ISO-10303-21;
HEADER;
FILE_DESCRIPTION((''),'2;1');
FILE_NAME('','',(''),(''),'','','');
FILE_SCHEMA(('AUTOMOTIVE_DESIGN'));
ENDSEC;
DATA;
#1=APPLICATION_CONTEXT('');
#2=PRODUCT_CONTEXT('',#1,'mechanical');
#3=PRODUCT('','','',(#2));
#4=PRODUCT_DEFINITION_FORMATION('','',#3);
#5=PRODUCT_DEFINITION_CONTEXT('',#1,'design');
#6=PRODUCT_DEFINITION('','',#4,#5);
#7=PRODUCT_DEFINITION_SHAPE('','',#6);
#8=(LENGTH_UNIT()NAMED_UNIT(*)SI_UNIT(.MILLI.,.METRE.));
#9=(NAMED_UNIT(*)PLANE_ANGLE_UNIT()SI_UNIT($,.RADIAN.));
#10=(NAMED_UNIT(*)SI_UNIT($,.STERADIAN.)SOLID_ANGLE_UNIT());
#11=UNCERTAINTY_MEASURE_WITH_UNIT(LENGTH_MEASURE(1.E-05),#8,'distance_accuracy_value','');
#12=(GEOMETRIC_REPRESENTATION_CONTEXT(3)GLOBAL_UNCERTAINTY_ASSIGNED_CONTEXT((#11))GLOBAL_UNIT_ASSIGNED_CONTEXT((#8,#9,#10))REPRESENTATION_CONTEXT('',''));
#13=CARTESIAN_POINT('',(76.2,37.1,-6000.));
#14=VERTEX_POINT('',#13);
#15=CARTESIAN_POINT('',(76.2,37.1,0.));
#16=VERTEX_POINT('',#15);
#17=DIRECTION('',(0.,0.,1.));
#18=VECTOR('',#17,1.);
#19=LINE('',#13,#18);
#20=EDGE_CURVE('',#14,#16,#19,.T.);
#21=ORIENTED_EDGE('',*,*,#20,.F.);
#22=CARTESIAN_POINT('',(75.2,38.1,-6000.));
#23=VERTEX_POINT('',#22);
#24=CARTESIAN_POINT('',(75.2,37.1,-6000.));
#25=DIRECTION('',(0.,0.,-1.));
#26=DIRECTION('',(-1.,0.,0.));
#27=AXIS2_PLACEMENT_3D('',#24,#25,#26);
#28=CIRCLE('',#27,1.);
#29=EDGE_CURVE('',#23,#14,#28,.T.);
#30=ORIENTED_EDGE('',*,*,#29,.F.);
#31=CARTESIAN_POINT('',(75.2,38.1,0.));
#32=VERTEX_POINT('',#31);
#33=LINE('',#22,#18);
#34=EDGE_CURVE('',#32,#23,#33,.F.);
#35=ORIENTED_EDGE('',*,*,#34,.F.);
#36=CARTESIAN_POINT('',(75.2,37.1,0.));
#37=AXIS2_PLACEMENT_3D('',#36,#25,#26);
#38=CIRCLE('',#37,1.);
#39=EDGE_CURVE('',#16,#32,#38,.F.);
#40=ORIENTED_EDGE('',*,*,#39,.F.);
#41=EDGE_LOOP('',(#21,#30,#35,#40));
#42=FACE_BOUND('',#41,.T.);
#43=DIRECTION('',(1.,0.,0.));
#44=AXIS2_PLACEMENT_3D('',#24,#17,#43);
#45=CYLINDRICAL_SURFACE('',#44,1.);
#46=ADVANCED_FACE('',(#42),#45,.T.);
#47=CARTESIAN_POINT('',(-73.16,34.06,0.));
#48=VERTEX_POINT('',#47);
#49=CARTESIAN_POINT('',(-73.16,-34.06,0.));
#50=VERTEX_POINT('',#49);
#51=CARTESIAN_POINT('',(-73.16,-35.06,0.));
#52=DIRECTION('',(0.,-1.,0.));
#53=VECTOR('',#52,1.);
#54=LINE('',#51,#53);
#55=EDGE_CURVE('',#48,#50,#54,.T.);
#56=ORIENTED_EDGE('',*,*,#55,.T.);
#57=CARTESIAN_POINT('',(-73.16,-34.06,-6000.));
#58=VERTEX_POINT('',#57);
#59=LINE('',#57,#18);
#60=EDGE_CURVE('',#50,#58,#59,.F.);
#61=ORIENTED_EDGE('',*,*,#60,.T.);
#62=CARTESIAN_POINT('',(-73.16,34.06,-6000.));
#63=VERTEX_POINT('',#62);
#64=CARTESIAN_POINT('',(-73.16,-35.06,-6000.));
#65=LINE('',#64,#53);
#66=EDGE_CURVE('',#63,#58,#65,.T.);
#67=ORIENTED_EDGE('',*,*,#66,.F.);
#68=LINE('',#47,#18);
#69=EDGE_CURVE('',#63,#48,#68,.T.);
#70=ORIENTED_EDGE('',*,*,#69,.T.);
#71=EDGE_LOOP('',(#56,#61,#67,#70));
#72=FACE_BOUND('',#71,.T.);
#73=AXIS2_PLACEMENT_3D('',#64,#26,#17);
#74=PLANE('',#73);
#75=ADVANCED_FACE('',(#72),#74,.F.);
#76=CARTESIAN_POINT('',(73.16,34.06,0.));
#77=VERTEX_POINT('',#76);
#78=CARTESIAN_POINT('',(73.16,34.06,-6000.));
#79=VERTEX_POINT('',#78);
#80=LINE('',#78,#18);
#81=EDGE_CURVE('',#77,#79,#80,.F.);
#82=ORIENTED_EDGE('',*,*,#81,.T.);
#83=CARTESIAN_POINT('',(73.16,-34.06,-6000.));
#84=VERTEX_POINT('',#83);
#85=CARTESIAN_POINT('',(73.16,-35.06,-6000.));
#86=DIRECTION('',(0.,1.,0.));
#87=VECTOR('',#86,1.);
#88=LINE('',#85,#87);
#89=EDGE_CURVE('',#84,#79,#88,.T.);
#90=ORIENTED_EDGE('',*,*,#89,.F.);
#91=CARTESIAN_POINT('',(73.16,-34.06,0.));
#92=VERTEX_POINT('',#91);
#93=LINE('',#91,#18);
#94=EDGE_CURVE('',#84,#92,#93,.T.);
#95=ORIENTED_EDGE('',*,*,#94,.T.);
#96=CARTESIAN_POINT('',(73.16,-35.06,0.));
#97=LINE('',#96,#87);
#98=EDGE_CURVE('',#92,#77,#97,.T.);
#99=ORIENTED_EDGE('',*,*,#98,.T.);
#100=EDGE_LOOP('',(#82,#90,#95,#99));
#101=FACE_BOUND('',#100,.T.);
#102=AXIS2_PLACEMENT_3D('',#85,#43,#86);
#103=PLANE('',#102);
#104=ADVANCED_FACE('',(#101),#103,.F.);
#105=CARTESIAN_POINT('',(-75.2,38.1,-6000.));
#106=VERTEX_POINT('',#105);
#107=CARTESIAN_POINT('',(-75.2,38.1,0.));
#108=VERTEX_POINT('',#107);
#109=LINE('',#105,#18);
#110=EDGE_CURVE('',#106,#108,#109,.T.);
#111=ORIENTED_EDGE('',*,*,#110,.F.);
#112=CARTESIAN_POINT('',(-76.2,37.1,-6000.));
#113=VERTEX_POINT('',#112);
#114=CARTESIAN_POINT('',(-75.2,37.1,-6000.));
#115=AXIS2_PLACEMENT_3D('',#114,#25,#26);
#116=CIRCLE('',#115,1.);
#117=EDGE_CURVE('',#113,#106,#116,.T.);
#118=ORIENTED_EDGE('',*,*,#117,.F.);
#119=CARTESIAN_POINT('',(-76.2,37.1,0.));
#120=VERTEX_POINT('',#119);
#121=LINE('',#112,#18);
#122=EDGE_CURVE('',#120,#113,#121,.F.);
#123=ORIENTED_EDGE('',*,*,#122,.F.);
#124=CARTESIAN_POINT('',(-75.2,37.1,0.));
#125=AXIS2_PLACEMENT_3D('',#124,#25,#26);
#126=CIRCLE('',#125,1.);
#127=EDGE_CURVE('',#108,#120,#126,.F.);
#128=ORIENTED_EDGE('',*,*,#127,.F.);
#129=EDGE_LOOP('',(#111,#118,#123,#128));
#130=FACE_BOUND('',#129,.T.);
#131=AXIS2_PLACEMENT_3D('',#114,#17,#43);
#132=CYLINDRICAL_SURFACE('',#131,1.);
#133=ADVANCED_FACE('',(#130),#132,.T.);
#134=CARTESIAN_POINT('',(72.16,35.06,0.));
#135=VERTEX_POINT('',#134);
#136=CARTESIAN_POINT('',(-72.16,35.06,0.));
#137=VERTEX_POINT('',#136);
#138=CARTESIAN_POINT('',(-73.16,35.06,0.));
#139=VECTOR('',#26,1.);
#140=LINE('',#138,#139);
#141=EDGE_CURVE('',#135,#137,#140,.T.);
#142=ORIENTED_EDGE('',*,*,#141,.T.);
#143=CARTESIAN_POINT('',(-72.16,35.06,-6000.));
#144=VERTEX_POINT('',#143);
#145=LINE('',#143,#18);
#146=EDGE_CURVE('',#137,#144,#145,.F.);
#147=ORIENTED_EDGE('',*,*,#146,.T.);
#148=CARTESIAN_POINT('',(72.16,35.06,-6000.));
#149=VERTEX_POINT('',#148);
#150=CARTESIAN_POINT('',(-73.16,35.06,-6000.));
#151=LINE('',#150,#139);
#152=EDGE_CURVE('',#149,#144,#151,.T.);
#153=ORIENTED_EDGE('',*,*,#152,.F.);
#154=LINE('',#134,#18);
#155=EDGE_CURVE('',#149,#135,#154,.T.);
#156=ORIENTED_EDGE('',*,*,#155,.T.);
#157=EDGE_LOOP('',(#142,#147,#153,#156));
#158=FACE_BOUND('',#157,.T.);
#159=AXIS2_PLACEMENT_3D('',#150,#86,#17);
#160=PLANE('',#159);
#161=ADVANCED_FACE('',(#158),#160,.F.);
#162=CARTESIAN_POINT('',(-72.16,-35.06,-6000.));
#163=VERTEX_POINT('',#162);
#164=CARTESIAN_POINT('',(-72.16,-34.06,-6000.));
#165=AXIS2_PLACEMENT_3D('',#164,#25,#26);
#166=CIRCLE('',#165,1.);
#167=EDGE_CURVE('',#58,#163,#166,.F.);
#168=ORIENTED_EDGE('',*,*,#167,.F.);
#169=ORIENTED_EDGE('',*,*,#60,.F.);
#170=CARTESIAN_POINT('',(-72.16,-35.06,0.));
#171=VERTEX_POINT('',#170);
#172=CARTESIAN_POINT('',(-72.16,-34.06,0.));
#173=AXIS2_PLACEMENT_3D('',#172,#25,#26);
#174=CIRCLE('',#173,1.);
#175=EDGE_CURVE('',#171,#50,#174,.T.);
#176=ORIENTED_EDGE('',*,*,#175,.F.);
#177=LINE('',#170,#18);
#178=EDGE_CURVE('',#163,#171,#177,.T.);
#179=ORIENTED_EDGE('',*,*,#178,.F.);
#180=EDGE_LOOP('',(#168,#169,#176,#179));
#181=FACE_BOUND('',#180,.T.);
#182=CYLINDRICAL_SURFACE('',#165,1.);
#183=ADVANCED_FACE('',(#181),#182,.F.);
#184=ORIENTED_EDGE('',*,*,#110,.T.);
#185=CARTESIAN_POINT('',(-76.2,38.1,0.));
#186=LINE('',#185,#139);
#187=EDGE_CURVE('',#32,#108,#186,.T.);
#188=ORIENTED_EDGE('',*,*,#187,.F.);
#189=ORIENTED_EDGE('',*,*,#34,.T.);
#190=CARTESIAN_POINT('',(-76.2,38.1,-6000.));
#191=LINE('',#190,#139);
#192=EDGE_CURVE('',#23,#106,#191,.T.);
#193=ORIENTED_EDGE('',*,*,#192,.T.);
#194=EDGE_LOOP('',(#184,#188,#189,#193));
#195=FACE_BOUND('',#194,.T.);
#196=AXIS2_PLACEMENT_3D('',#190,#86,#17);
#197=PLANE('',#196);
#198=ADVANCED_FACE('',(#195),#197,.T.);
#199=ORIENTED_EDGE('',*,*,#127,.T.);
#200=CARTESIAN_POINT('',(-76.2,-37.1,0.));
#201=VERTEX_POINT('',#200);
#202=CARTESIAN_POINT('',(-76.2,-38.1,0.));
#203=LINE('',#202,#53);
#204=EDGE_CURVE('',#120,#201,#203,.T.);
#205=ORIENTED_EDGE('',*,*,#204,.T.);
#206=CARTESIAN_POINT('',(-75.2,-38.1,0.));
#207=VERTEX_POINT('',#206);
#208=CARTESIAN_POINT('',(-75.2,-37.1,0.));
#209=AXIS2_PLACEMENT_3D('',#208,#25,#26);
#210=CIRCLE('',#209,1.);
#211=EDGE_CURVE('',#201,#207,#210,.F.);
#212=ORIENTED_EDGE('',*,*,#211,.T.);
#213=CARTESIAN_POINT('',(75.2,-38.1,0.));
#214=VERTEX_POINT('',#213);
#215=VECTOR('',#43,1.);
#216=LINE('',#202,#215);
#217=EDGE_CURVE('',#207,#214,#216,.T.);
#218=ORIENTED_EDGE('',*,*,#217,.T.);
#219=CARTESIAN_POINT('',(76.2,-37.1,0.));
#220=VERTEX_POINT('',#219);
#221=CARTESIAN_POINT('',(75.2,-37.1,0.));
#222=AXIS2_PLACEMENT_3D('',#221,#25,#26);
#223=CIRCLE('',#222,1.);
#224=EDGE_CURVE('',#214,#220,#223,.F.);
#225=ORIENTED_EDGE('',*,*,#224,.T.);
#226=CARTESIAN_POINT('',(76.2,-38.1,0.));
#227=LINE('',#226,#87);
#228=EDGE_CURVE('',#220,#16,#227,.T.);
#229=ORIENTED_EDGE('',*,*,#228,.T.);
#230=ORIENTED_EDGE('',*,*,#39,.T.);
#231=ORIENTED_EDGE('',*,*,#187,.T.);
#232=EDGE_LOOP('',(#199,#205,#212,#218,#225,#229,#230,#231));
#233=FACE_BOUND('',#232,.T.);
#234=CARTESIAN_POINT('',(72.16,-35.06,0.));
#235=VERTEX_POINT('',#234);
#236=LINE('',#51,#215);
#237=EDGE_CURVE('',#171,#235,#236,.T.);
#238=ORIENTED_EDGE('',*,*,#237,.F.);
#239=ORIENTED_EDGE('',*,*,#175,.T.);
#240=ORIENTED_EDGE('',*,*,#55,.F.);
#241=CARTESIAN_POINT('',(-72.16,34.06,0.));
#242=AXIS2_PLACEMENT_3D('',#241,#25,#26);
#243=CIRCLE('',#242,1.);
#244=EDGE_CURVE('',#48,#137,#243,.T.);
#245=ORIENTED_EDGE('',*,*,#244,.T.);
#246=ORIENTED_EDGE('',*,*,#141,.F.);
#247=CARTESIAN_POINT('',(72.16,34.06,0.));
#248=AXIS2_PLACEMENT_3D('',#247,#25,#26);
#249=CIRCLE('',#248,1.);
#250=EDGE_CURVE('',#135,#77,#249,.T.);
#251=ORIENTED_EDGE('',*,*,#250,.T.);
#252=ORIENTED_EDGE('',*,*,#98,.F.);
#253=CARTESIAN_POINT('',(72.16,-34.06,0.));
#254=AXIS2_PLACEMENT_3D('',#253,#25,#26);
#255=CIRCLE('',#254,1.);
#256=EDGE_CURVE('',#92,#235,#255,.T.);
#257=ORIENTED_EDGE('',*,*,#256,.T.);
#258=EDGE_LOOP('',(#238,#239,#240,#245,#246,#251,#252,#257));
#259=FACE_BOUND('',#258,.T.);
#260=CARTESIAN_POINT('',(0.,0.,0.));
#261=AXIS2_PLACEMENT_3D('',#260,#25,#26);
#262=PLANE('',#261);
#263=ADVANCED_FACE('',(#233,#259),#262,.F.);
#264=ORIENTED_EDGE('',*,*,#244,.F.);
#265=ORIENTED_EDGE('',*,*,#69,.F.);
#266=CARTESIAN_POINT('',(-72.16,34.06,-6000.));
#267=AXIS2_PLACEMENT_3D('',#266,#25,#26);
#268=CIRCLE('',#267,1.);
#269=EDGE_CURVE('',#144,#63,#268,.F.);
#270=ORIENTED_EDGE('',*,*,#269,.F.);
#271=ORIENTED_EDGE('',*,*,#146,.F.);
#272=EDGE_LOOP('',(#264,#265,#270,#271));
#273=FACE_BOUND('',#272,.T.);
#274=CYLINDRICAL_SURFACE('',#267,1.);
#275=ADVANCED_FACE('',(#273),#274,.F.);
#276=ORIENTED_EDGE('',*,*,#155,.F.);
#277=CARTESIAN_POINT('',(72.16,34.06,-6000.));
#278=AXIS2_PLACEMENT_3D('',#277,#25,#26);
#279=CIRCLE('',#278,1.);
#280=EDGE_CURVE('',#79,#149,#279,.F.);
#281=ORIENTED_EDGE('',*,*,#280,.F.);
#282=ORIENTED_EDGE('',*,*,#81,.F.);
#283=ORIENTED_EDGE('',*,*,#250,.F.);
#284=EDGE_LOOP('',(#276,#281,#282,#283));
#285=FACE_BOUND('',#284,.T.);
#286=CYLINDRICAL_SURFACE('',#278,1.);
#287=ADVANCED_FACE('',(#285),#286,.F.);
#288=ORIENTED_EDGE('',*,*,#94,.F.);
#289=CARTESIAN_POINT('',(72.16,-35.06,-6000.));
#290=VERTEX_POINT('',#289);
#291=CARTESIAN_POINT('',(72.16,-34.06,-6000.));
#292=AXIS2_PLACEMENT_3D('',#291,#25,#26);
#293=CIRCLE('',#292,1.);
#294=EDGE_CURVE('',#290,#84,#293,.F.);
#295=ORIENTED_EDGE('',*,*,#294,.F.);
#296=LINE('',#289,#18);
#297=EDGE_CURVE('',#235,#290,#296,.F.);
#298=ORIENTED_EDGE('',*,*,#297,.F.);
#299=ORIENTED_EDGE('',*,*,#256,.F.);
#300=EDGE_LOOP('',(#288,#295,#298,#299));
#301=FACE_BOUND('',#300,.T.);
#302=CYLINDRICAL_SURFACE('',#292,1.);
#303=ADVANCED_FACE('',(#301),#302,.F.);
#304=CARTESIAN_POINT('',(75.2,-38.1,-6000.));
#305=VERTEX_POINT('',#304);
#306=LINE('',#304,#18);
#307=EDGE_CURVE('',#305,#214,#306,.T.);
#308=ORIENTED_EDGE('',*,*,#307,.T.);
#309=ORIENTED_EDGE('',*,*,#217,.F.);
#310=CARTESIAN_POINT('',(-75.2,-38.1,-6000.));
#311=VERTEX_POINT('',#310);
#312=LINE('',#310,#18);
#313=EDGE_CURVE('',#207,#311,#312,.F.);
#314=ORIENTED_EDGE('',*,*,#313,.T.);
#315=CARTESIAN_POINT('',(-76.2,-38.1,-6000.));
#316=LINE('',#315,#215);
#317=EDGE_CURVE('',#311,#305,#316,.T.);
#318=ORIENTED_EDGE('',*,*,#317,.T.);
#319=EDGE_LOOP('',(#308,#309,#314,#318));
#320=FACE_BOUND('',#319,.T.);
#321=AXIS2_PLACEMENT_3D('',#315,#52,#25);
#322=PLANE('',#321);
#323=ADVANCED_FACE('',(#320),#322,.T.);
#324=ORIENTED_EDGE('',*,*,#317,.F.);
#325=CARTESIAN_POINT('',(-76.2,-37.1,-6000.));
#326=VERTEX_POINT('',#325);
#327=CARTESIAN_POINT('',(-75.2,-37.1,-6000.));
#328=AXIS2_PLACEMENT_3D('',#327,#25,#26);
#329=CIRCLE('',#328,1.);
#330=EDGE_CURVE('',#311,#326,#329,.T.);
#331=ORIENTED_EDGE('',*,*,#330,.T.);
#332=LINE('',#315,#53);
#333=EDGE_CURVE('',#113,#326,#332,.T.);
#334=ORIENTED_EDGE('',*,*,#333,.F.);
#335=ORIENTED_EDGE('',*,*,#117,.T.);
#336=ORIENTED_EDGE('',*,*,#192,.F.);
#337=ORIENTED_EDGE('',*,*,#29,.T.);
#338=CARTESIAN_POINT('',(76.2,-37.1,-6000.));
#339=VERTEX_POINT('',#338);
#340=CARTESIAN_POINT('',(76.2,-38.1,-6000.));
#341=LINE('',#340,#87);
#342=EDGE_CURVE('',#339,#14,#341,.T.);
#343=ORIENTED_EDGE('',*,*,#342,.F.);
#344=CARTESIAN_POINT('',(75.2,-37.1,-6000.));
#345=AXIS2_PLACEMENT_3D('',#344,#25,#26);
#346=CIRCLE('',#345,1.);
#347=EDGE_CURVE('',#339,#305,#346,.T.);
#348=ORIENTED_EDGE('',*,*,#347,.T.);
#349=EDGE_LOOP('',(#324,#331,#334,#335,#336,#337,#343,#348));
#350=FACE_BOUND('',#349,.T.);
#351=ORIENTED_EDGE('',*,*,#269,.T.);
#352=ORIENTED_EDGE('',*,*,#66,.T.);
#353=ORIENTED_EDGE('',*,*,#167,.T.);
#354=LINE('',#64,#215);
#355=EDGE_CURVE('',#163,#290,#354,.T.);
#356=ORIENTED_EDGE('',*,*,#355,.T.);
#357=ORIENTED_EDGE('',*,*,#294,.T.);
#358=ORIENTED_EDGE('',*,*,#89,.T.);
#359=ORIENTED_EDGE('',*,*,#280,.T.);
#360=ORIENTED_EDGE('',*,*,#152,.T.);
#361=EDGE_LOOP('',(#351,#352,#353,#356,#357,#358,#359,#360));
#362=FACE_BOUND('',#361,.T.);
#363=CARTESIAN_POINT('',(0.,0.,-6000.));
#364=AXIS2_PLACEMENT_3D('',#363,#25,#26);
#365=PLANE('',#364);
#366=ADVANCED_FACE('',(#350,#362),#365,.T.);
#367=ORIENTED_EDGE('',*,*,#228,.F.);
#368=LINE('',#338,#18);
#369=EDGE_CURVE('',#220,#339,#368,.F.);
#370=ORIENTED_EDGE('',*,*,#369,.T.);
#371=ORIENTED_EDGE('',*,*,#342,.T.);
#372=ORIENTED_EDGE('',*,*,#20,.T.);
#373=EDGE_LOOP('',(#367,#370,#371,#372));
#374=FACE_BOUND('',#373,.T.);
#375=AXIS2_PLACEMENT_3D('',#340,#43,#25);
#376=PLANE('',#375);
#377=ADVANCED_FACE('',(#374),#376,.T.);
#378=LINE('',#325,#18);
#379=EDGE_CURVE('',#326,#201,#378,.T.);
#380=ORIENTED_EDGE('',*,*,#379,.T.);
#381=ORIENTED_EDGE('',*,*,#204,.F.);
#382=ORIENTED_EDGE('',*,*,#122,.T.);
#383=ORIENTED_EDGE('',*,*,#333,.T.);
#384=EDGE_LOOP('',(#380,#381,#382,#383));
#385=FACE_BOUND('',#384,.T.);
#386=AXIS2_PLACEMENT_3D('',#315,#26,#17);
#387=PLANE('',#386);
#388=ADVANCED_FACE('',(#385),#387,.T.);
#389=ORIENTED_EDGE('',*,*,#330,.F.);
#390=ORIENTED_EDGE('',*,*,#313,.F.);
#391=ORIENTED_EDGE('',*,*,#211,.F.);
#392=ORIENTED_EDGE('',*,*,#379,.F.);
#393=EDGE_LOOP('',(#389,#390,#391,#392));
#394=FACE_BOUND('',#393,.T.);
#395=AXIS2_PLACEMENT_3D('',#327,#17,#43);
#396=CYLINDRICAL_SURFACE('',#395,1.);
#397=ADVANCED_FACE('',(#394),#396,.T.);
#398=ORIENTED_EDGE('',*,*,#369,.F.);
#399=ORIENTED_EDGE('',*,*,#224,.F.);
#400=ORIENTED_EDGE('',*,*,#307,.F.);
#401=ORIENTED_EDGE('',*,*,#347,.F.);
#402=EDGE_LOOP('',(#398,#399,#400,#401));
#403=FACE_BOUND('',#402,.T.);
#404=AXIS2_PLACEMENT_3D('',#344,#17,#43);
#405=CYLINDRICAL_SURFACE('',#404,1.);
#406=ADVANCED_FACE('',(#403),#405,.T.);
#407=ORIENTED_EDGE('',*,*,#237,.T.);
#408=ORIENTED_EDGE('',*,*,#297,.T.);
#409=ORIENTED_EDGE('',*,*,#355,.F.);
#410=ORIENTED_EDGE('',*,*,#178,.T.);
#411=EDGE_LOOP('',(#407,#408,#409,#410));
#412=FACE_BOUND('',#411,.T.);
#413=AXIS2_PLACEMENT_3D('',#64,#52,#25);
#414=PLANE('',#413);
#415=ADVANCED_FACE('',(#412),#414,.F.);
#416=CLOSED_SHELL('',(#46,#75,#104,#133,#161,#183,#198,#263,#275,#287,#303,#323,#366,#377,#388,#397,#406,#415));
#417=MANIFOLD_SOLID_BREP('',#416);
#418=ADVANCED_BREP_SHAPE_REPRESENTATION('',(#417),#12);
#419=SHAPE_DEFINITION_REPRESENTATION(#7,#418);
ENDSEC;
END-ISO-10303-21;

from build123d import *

# Parameters (mm, degrees)
CROQUIS1_W              = 152.4
CROQUIS1_H              = 76.2
CROQUIS1_W_2            = 146.32
CROQUIS1_H_2            = 70.12
SALIENTE_EXTRUIR1_DEPTH = 6000
REDONDEO1_R             = 1


with BuildPart() as part:
    # Croquis1 → Saliente-Extruir1 (new body)
    with BuildSketch(Plane.XY):
        Rectangle(CROQUIS1_W, CROQUIS1_H)
        Rectangle(CROQUIS1_W_2, CROQUIS1_H_2, mode=Mode.SUBTRACT)
    extrude(amount=-SALIENTE_EXTRUIR1_DEPTH)

    # Redondeo1
    redondeo1_edges = [part.edges().sort_by_distance(p)[0] for p in [
        (73.16, -35.06, -3000),
        (-73.16, -35.06, -3000),
        (-73.16, 35.06, -3000),
        (73.16, 35.06, -3000),
        (76.2, -38.1, -3000),
        (-76.2, -38.1, -3000),
        (-76.2, 38.1, -3000),
        (76.2, 38.1, -3000),
    ]]
    fillet(redondeo1_edges, radius=REDONDEO1_R)


solid = part.part
